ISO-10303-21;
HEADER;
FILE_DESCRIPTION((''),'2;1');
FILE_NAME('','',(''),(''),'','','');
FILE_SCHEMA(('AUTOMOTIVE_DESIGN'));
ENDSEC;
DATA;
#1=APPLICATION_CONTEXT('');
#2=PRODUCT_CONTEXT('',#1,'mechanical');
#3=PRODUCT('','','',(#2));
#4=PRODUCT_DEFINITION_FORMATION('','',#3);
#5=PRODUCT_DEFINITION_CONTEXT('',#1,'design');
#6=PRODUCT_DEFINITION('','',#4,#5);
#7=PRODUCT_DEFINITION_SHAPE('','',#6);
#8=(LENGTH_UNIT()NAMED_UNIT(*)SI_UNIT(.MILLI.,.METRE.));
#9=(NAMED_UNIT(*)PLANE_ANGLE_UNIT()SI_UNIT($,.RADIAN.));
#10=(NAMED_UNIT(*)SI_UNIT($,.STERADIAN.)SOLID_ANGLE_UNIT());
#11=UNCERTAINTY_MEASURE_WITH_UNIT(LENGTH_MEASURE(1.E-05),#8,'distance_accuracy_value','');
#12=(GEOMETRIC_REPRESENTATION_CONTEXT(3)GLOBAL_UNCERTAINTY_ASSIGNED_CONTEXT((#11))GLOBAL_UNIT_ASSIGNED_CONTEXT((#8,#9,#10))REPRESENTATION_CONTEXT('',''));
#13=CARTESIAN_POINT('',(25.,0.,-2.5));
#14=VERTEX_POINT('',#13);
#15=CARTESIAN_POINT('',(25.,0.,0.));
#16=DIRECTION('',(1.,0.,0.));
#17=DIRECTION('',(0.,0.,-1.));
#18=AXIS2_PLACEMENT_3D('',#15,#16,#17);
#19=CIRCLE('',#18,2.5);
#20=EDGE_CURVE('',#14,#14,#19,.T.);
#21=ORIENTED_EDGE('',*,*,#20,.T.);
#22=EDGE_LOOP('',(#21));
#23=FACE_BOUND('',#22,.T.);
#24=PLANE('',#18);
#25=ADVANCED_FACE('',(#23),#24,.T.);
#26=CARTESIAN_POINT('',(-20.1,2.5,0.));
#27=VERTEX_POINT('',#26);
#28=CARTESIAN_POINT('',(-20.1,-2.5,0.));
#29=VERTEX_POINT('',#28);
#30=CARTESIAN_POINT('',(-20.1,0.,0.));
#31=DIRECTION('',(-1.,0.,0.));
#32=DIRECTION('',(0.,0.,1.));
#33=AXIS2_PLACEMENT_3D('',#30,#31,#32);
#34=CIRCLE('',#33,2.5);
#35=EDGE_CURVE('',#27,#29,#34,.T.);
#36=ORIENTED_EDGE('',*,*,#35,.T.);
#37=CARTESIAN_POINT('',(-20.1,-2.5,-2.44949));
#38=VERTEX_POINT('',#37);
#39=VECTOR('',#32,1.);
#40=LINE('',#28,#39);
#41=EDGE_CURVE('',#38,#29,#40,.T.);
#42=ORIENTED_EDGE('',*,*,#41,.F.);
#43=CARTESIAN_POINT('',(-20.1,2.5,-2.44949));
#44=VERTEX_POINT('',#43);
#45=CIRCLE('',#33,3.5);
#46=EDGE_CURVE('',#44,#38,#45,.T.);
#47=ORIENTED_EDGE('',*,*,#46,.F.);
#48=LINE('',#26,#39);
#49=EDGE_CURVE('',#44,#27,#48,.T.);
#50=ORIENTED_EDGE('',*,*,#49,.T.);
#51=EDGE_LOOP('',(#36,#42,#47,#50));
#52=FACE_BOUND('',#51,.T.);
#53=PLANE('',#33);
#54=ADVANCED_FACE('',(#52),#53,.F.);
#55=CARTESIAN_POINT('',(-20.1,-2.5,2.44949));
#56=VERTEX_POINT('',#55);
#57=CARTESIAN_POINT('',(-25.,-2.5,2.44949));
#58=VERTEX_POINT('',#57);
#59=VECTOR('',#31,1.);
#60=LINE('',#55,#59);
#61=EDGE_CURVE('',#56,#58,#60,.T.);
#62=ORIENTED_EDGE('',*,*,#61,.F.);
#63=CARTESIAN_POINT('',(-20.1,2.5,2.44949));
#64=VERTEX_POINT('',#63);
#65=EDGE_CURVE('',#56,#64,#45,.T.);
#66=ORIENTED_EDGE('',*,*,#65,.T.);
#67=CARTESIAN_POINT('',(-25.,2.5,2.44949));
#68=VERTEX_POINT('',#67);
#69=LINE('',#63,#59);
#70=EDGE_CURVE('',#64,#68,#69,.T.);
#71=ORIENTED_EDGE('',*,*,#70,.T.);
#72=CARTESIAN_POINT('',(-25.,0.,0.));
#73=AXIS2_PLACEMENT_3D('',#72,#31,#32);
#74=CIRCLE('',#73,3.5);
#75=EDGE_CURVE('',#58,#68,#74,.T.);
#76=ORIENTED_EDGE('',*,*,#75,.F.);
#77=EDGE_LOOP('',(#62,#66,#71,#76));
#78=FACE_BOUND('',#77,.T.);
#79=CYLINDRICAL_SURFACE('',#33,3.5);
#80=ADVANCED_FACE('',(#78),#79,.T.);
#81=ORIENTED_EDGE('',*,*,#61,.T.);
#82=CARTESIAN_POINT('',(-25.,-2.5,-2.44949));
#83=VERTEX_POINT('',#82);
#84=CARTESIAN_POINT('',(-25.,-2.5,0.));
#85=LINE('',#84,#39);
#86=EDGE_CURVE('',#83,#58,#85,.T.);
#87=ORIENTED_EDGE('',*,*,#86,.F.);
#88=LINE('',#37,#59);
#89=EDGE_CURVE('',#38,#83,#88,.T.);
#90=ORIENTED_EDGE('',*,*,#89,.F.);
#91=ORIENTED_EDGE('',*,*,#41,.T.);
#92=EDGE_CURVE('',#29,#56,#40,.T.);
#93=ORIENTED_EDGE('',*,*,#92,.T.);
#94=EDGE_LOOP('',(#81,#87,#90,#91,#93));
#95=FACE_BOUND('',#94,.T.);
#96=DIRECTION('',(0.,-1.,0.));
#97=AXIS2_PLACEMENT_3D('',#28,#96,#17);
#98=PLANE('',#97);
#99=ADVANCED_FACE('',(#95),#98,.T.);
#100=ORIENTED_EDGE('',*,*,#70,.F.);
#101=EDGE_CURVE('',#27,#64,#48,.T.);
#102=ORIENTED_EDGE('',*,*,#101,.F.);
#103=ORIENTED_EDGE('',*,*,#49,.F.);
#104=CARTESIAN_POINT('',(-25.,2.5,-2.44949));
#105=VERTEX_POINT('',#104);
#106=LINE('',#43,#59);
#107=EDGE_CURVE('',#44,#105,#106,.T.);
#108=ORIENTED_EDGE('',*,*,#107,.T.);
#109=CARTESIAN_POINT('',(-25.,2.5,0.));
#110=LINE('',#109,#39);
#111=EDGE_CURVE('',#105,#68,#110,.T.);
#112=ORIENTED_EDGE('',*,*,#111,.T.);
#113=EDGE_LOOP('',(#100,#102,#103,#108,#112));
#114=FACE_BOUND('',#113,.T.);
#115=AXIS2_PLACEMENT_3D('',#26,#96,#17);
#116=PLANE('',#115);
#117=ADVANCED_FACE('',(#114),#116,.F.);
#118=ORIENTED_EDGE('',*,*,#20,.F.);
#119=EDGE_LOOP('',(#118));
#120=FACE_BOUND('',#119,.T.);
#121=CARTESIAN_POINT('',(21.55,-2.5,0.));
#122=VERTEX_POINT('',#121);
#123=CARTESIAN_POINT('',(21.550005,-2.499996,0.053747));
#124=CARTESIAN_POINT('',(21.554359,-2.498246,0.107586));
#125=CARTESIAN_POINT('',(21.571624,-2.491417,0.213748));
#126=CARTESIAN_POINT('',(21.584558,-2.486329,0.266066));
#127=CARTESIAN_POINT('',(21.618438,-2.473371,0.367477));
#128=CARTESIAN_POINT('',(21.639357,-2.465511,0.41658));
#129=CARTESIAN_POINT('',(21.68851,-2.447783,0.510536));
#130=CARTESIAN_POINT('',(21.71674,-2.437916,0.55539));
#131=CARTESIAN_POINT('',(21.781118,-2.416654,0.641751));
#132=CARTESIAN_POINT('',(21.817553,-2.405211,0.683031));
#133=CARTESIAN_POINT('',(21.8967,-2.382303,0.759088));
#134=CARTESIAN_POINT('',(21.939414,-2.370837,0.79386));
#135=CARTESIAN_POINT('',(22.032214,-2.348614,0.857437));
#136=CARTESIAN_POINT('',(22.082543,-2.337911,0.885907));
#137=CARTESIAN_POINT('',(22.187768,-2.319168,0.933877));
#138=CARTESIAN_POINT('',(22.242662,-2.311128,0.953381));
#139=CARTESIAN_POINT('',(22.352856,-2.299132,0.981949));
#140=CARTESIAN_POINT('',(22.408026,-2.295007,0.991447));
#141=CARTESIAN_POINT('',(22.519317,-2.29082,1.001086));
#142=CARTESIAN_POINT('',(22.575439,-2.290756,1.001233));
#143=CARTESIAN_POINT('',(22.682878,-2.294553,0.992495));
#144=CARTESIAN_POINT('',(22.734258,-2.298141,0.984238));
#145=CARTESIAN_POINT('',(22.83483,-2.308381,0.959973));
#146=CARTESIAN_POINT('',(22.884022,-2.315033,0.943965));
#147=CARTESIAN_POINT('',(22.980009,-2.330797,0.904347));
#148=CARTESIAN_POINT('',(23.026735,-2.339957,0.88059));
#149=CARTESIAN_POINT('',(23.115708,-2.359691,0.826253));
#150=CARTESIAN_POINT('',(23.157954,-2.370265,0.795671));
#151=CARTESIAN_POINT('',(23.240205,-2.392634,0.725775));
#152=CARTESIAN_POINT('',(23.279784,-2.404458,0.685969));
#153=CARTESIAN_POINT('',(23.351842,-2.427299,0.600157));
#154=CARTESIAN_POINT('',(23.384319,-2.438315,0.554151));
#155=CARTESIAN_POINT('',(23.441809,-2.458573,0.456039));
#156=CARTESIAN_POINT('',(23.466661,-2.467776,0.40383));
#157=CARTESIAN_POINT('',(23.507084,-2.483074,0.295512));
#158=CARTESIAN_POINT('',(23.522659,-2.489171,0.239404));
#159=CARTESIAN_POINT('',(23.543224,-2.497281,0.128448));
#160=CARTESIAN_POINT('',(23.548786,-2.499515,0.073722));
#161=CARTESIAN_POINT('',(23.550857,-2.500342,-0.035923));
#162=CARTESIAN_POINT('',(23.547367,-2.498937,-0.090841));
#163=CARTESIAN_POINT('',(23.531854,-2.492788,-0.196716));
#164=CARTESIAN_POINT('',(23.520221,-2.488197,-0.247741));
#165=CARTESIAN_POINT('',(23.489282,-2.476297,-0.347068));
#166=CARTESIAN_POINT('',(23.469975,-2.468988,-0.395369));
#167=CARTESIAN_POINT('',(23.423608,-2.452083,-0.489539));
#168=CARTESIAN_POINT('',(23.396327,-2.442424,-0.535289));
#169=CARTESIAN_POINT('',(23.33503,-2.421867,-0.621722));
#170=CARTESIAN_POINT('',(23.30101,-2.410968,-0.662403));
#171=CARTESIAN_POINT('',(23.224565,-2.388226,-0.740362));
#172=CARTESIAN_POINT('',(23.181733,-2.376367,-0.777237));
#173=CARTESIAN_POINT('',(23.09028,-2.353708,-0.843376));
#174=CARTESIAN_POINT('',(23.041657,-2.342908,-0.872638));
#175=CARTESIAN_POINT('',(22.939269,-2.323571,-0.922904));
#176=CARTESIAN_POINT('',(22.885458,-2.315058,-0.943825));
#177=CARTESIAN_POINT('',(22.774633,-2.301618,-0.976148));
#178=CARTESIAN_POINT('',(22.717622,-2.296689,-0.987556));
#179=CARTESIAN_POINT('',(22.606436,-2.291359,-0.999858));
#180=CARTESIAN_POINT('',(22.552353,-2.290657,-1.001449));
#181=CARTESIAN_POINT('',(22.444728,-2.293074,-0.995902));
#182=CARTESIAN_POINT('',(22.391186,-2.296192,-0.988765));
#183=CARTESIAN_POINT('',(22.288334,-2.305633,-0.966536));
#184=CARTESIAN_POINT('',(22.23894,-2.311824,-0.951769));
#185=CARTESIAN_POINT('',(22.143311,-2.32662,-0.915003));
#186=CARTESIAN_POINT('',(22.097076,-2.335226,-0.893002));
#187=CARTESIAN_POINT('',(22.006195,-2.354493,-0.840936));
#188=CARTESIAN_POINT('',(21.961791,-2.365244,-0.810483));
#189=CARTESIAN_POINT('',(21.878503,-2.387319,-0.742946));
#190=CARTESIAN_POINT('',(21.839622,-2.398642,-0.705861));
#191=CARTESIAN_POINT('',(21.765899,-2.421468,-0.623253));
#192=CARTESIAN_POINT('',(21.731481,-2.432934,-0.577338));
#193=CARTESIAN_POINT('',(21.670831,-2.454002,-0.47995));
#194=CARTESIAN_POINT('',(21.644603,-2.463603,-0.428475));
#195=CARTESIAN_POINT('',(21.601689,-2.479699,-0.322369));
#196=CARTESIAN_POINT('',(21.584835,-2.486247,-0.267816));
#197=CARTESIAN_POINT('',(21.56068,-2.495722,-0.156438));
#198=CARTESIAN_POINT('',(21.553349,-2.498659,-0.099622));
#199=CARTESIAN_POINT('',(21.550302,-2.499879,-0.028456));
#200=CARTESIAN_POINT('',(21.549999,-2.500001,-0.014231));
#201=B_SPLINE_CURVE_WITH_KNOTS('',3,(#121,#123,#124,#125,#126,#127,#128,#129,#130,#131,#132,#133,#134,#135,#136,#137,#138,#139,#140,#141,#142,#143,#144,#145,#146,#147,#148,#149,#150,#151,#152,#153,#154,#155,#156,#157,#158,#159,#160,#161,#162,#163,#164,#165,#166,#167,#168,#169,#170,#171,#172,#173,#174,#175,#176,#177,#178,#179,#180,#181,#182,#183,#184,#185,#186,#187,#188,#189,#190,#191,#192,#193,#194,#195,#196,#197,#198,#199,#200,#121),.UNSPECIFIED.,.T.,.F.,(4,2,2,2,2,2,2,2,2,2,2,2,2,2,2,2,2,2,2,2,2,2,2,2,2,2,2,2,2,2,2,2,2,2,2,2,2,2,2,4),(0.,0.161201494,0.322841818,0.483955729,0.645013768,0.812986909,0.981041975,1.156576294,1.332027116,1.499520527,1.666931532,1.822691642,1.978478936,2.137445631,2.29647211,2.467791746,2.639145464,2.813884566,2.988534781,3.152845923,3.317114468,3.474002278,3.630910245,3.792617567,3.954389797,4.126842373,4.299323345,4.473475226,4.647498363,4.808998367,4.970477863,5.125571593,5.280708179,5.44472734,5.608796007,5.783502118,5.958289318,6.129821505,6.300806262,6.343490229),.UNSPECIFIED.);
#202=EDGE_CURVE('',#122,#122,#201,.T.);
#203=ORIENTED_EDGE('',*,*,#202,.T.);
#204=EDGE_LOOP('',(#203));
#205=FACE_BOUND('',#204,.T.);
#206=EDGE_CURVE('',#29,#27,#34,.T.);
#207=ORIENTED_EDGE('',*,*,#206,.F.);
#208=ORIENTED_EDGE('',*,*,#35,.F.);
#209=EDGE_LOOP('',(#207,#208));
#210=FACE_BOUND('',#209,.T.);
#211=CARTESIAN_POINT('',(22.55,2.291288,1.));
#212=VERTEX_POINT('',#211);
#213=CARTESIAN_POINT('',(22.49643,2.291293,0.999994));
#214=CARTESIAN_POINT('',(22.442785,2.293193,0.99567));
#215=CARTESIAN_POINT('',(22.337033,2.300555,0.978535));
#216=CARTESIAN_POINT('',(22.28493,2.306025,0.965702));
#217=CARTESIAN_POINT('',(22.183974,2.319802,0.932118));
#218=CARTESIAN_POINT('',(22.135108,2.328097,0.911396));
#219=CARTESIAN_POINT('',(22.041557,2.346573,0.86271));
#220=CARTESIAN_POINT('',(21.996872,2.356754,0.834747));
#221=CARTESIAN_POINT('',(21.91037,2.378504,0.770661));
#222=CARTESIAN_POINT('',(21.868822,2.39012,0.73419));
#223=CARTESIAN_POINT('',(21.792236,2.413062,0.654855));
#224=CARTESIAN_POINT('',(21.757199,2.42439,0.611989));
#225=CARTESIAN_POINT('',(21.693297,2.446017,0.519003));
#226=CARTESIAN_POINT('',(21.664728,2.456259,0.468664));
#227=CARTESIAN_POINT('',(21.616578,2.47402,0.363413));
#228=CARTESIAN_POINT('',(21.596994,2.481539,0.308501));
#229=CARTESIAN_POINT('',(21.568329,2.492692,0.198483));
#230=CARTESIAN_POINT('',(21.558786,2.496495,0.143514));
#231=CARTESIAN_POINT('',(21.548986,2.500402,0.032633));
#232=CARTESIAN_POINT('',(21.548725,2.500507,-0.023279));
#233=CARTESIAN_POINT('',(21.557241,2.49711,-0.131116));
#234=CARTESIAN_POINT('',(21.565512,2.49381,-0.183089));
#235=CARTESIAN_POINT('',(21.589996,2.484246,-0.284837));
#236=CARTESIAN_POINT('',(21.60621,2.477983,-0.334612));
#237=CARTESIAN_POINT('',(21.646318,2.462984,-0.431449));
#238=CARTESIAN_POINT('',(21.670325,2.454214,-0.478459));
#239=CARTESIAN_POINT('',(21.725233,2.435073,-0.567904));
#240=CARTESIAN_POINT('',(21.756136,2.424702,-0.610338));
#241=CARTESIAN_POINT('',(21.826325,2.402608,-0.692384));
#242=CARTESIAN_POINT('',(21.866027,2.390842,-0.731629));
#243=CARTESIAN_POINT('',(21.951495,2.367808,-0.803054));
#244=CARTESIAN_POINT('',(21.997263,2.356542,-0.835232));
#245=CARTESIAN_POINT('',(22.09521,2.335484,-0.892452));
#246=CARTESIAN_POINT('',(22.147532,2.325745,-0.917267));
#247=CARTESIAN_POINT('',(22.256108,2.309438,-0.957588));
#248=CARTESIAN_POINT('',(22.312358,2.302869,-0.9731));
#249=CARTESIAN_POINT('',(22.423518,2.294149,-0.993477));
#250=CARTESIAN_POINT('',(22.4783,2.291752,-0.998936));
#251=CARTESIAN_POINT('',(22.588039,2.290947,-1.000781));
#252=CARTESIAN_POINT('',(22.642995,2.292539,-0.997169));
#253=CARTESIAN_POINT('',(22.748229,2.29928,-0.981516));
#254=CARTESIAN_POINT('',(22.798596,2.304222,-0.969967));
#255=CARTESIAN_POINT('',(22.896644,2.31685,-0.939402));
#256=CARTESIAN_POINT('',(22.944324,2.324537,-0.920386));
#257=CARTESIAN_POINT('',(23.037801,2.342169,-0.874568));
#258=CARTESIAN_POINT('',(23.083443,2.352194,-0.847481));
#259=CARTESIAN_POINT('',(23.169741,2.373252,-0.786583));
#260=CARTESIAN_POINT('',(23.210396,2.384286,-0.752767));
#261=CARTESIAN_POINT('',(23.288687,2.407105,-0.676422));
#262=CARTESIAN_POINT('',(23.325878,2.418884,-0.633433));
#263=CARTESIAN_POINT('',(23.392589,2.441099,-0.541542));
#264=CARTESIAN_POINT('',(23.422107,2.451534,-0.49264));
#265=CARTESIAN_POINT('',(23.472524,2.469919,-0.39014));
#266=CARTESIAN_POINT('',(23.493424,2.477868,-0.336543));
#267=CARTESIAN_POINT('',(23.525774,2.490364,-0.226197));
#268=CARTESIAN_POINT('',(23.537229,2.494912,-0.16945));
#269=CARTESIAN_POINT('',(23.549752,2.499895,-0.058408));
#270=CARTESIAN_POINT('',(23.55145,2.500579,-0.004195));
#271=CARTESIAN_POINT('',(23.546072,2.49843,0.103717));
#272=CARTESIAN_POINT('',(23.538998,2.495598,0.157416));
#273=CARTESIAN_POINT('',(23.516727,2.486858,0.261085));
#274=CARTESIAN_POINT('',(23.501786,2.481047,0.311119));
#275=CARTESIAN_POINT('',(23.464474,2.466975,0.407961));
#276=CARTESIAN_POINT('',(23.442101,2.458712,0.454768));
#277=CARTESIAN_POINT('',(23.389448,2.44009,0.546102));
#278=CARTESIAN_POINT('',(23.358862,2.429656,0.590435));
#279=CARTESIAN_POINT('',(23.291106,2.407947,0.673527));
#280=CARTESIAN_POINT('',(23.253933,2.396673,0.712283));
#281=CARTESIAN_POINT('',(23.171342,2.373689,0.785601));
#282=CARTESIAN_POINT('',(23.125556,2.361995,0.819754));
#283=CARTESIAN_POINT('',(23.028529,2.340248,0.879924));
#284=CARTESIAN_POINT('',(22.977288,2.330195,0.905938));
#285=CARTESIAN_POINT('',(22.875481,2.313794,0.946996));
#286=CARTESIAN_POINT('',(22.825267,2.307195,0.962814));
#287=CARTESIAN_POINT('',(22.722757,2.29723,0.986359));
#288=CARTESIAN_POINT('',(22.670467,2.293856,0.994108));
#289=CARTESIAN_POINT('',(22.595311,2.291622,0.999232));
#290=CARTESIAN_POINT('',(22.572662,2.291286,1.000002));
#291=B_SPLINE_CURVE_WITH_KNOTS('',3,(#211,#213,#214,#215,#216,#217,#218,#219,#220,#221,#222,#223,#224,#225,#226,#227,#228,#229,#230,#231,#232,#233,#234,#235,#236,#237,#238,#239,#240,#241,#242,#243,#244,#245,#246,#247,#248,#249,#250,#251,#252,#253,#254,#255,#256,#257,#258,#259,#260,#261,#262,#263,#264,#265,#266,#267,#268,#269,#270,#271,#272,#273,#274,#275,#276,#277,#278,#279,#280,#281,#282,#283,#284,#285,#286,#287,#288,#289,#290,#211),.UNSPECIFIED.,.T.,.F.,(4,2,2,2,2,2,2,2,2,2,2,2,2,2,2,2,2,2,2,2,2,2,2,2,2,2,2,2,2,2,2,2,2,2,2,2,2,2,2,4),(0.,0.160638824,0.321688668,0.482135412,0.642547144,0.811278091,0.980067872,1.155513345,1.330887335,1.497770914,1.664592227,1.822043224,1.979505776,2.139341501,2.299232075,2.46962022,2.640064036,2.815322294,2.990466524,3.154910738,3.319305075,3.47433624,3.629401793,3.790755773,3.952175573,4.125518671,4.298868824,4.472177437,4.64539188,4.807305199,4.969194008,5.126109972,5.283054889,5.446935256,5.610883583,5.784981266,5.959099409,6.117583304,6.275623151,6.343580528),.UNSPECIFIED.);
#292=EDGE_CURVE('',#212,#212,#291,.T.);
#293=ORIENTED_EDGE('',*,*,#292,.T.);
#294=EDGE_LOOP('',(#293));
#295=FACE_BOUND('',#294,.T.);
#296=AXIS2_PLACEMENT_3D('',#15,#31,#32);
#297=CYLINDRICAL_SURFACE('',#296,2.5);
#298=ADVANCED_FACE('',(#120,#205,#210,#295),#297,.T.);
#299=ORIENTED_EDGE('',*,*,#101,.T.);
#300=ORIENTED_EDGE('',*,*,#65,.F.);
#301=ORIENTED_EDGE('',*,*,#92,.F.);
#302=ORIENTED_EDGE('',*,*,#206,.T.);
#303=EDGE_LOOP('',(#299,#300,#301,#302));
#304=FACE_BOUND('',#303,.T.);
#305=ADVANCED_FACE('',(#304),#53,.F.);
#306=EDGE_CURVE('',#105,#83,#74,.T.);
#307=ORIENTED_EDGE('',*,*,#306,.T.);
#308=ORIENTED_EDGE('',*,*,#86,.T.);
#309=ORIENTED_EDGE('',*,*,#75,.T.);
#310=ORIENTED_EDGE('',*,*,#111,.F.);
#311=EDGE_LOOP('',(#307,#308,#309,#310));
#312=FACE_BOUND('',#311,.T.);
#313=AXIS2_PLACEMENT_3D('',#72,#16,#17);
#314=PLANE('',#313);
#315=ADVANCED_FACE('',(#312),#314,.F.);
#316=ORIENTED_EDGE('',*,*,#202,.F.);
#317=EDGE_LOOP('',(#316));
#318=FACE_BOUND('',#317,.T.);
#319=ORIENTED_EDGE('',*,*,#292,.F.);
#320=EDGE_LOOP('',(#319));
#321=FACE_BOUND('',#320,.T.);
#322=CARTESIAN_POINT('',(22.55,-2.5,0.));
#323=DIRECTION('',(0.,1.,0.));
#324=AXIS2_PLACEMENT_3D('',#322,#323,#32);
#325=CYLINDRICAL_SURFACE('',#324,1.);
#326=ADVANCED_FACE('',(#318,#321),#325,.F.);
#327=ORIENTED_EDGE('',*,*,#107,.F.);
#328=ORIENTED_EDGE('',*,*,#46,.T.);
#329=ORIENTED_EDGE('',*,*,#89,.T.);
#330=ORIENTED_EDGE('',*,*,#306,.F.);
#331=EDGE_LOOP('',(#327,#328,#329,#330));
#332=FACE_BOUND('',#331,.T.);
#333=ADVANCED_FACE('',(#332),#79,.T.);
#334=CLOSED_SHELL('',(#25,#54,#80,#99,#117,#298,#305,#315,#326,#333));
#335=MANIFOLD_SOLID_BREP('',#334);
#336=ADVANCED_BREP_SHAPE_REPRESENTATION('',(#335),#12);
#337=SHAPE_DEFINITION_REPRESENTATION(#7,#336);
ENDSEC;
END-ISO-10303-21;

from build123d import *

# Parameters (mm, degrees)
SKETCH2_R               = 2.5
BOSS_EXTRUDE1_DEPTH     = 25
BOSS_EXTRUDE4_START     = -4.9
BOSS_EXTRUDE4_DEPTH     = 4.9
CUT_EXTRUDE2_DEPTH      = 26.734218465
CUT_EXTRUDE2_DEPTH_BACK = 26.734218465
SKETCH5_R               = 1


with BuildPart() as part:
    # Sketch2 → Boss-Extrude1 (new, symmetric)
    with BuildSketch(Plane(origin=(0, 0, 0), x_dir=(0, 0, -1), z_dir=(1, 0, 0))):
        Circle(SKETCH2_R)
    extrude(amount=BOSS_EXTRUDE1_DEPTH, both=True)

    # Sketch3 → Boss-Extrude4 (add)
    with BuildSketch(Plane.ZY.offset(25).offset(BOSS_EXTRUDE4_START)):
        with BuildLine():
            Line((0, 2.5), (-2.449489743, 2.5))
            ThreePointArc((-2.449489743, 2.5), (-3.5, 0), (-2.449489743, -2.5))
            Line((-2.449489743, -2.5), (0, -2.5))
            ThreePointArc((0, -2.5), (-2.5, 0), (0, 2.5))
        make_face()
        with BuildLine():
            Line((2.449489743, 2.5), (0, 2.5))
            ThreePointArc((0, 2.5), (1.767766953, 1.767766953), (2.5, 0))
            ThreePointArc((2.5, 0), (1.767766953, -1.767766953), (0, -2.5))
            Line((0, -2.5), (2.449489743, -2.5))
            ThreePointArc((2.449489743, -2.5), (3.226702194, -1.355873501), (3.5, 0))
            ThreePointArc((3.5, 0), (3.226702194, 1.355873501), (2.449489743, 2.5))
        make_face()
    extrude(amount=BOSS_EXTRUDE4_DEPTH)

    # Sketch5 → Cut-Extrude2 (cut, two sides: drawn at the far end of the back side and taken through both)
    with BuildSketch(Plane(origin=(0, 2.5, 0), x_dir=(1, 0, 0), z_dir=(0, 1, 0)).offset(-CUT_EXTRUDE2_DEPTH_BACK)):
        with Locations(Location((22.55, 0, 0), (0, 0, 180.000000001))):
            Circle(SKETCH5_R)
    extrude(amount=CUT_EXTRUDE2_DEPTH + CUT_EXTRUDE2_DEPTH_BACK, mode=Mode.SUBTRACT)


solid = part.part
